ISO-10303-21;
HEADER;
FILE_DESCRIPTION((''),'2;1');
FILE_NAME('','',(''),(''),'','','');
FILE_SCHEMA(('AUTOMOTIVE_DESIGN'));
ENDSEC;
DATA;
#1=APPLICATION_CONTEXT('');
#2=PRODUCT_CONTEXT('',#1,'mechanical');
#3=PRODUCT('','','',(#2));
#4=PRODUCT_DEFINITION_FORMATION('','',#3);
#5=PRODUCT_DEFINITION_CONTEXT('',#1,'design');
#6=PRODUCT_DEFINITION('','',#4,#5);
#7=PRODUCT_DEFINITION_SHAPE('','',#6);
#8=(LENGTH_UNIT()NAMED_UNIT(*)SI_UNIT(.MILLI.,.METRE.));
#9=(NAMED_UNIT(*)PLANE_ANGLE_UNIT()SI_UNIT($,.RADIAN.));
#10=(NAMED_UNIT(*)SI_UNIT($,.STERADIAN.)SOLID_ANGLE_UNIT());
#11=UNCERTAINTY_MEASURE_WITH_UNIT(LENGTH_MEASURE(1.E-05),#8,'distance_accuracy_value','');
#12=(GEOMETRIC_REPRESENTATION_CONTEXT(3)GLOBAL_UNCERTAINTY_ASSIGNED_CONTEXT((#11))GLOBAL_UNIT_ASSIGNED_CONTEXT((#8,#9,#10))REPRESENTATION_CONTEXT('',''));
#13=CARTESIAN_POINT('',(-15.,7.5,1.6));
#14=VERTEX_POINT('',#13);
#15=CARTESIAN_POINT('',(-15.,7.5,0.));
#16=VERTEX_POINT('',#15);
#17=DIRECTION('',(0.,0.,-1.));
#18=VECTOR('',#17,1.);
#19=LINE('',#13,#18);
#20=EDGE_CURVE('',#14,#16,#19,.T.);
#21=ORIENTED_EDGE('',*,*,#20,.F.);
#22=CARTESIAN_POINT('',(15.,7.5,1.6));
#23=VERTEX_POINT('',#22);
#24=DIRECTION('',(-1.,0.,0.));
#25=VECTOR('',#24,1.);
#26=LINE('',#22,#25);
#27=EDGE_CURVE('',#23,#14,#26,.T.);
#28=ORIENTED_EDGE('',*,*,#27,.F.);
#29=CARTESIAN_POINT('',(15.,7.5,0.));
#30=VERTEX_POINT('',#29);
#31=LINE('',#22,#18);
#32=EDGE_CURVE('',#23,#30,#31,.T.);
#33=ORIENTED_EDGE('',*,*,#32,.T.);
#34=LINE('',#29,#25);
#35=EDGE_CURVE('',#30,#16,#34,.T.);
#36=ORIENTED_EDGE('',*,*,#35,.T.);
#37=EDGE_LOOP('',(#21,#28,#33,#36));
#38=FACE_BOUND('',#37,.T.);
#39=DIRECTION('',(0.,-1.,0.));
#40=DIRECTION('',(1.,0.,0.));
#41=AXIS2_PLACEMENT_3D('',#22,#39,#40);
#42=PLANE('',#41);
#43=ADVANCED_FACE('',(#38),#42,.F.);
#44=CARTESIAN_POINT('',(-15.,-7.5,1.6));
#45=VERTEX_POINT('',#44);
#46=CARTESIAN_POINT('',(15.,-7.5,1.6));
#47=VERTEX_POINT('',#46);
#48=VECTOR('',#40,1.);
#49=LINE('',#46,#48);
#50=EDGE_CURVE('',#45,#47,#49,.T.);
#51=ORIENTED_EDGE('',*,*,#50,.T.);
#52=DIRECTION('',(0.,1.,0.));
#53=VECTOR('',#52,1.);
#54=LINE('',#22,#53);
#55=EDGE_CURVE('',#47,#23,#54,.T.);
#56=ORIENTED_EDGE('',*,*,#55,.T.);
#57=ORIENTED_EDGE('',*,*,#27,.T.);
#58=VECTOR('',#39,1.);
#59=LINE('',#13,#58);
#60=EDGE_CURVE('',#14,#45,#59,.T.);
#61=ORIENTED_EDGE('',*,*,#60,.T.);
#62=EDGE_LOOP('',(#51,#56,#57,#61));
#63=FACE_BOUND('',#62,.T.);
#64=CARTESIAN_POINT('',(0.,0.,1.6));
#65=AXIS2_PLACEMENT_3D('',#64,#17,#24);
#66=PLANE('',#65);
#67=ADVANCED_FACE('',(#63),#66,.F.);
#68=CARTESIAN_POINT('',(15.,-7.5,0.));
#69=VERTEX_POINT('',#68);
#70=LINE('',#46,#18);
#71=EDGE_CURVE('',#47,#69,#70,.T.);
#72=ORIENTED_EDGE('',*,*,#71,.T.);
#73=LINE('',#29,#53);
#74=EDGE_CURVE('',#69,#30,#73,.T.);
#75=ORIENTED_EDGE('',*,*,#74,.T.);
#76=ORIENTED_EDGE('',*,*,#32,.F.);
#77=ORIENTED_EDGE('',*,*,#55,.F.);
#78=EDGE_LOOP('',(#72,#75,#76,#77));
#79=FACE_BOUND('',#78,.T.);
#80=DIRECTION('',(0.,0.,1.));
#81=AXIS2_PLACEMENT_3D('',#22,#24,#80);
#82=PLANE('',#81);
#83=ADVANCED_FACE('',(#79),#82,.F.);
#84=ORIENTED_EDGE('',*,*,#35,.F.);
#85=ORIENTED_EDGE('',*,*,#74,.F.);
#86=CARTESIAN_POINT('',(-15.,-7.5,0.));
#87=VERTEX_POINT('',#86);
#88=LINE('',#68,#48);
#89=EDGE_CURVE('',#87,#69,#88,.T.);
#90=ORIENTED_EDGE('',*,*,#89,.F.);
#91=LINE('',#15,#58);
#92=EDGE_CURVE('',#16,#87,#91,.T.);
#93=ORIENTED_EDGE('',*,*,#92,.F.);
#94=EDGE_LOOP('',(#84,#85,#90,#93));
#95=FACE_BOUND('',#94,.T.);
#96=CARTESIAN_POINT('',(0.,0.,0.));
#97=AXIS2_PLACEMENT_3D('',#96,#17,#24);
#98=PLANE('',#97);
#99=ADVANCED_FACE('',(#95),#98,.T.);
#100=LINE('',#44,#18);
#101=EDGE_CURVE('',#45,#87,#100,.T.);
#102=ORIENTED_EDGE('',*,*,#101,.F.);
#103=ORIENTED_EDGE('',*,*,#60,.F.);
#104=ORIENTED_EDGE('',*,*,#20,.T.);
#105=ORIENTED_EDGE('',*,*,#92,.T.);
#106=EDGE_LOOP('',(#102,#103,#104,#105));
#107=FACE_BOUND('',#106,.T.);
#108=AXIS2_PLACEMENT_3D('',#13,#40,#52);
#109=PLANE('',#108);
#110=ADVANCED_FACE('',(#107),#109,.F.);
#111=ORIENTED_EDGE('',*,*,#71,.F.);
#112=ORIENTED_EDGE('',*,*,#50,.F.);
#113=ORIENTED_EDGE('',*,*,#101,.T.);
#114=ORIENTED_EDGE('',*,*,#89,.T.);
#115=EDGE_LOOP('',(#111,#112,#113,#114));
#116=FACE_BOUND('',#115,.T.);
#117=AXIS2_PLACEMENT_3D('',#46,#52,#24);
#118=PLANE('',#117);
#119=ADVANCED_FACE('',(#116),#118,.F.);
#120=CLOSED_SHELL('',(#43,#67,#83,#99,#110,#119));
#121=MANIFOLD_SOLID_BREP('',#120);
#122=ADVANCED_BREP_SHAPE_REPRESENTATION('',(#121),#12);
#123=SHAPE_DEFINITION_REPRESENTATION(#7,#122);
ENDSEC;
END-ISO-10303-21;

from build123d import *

# Parameters (mm, degrees)
SKETCH1_W           = 30
SKETCH1_H           = 15
BOSS_EXTRUDE1_DEPTH = 1.6


with BuildPart() as part:
    # Sketch1 → Boss-Extrude1 (new body)
    with BuildSketch(Plane.XY):
        Rectangle(SKETCH1_W, SKETCH1_H)
    extrude(amount=BOSS_EXTRUDE1_DEPTH)


solid = part.part
